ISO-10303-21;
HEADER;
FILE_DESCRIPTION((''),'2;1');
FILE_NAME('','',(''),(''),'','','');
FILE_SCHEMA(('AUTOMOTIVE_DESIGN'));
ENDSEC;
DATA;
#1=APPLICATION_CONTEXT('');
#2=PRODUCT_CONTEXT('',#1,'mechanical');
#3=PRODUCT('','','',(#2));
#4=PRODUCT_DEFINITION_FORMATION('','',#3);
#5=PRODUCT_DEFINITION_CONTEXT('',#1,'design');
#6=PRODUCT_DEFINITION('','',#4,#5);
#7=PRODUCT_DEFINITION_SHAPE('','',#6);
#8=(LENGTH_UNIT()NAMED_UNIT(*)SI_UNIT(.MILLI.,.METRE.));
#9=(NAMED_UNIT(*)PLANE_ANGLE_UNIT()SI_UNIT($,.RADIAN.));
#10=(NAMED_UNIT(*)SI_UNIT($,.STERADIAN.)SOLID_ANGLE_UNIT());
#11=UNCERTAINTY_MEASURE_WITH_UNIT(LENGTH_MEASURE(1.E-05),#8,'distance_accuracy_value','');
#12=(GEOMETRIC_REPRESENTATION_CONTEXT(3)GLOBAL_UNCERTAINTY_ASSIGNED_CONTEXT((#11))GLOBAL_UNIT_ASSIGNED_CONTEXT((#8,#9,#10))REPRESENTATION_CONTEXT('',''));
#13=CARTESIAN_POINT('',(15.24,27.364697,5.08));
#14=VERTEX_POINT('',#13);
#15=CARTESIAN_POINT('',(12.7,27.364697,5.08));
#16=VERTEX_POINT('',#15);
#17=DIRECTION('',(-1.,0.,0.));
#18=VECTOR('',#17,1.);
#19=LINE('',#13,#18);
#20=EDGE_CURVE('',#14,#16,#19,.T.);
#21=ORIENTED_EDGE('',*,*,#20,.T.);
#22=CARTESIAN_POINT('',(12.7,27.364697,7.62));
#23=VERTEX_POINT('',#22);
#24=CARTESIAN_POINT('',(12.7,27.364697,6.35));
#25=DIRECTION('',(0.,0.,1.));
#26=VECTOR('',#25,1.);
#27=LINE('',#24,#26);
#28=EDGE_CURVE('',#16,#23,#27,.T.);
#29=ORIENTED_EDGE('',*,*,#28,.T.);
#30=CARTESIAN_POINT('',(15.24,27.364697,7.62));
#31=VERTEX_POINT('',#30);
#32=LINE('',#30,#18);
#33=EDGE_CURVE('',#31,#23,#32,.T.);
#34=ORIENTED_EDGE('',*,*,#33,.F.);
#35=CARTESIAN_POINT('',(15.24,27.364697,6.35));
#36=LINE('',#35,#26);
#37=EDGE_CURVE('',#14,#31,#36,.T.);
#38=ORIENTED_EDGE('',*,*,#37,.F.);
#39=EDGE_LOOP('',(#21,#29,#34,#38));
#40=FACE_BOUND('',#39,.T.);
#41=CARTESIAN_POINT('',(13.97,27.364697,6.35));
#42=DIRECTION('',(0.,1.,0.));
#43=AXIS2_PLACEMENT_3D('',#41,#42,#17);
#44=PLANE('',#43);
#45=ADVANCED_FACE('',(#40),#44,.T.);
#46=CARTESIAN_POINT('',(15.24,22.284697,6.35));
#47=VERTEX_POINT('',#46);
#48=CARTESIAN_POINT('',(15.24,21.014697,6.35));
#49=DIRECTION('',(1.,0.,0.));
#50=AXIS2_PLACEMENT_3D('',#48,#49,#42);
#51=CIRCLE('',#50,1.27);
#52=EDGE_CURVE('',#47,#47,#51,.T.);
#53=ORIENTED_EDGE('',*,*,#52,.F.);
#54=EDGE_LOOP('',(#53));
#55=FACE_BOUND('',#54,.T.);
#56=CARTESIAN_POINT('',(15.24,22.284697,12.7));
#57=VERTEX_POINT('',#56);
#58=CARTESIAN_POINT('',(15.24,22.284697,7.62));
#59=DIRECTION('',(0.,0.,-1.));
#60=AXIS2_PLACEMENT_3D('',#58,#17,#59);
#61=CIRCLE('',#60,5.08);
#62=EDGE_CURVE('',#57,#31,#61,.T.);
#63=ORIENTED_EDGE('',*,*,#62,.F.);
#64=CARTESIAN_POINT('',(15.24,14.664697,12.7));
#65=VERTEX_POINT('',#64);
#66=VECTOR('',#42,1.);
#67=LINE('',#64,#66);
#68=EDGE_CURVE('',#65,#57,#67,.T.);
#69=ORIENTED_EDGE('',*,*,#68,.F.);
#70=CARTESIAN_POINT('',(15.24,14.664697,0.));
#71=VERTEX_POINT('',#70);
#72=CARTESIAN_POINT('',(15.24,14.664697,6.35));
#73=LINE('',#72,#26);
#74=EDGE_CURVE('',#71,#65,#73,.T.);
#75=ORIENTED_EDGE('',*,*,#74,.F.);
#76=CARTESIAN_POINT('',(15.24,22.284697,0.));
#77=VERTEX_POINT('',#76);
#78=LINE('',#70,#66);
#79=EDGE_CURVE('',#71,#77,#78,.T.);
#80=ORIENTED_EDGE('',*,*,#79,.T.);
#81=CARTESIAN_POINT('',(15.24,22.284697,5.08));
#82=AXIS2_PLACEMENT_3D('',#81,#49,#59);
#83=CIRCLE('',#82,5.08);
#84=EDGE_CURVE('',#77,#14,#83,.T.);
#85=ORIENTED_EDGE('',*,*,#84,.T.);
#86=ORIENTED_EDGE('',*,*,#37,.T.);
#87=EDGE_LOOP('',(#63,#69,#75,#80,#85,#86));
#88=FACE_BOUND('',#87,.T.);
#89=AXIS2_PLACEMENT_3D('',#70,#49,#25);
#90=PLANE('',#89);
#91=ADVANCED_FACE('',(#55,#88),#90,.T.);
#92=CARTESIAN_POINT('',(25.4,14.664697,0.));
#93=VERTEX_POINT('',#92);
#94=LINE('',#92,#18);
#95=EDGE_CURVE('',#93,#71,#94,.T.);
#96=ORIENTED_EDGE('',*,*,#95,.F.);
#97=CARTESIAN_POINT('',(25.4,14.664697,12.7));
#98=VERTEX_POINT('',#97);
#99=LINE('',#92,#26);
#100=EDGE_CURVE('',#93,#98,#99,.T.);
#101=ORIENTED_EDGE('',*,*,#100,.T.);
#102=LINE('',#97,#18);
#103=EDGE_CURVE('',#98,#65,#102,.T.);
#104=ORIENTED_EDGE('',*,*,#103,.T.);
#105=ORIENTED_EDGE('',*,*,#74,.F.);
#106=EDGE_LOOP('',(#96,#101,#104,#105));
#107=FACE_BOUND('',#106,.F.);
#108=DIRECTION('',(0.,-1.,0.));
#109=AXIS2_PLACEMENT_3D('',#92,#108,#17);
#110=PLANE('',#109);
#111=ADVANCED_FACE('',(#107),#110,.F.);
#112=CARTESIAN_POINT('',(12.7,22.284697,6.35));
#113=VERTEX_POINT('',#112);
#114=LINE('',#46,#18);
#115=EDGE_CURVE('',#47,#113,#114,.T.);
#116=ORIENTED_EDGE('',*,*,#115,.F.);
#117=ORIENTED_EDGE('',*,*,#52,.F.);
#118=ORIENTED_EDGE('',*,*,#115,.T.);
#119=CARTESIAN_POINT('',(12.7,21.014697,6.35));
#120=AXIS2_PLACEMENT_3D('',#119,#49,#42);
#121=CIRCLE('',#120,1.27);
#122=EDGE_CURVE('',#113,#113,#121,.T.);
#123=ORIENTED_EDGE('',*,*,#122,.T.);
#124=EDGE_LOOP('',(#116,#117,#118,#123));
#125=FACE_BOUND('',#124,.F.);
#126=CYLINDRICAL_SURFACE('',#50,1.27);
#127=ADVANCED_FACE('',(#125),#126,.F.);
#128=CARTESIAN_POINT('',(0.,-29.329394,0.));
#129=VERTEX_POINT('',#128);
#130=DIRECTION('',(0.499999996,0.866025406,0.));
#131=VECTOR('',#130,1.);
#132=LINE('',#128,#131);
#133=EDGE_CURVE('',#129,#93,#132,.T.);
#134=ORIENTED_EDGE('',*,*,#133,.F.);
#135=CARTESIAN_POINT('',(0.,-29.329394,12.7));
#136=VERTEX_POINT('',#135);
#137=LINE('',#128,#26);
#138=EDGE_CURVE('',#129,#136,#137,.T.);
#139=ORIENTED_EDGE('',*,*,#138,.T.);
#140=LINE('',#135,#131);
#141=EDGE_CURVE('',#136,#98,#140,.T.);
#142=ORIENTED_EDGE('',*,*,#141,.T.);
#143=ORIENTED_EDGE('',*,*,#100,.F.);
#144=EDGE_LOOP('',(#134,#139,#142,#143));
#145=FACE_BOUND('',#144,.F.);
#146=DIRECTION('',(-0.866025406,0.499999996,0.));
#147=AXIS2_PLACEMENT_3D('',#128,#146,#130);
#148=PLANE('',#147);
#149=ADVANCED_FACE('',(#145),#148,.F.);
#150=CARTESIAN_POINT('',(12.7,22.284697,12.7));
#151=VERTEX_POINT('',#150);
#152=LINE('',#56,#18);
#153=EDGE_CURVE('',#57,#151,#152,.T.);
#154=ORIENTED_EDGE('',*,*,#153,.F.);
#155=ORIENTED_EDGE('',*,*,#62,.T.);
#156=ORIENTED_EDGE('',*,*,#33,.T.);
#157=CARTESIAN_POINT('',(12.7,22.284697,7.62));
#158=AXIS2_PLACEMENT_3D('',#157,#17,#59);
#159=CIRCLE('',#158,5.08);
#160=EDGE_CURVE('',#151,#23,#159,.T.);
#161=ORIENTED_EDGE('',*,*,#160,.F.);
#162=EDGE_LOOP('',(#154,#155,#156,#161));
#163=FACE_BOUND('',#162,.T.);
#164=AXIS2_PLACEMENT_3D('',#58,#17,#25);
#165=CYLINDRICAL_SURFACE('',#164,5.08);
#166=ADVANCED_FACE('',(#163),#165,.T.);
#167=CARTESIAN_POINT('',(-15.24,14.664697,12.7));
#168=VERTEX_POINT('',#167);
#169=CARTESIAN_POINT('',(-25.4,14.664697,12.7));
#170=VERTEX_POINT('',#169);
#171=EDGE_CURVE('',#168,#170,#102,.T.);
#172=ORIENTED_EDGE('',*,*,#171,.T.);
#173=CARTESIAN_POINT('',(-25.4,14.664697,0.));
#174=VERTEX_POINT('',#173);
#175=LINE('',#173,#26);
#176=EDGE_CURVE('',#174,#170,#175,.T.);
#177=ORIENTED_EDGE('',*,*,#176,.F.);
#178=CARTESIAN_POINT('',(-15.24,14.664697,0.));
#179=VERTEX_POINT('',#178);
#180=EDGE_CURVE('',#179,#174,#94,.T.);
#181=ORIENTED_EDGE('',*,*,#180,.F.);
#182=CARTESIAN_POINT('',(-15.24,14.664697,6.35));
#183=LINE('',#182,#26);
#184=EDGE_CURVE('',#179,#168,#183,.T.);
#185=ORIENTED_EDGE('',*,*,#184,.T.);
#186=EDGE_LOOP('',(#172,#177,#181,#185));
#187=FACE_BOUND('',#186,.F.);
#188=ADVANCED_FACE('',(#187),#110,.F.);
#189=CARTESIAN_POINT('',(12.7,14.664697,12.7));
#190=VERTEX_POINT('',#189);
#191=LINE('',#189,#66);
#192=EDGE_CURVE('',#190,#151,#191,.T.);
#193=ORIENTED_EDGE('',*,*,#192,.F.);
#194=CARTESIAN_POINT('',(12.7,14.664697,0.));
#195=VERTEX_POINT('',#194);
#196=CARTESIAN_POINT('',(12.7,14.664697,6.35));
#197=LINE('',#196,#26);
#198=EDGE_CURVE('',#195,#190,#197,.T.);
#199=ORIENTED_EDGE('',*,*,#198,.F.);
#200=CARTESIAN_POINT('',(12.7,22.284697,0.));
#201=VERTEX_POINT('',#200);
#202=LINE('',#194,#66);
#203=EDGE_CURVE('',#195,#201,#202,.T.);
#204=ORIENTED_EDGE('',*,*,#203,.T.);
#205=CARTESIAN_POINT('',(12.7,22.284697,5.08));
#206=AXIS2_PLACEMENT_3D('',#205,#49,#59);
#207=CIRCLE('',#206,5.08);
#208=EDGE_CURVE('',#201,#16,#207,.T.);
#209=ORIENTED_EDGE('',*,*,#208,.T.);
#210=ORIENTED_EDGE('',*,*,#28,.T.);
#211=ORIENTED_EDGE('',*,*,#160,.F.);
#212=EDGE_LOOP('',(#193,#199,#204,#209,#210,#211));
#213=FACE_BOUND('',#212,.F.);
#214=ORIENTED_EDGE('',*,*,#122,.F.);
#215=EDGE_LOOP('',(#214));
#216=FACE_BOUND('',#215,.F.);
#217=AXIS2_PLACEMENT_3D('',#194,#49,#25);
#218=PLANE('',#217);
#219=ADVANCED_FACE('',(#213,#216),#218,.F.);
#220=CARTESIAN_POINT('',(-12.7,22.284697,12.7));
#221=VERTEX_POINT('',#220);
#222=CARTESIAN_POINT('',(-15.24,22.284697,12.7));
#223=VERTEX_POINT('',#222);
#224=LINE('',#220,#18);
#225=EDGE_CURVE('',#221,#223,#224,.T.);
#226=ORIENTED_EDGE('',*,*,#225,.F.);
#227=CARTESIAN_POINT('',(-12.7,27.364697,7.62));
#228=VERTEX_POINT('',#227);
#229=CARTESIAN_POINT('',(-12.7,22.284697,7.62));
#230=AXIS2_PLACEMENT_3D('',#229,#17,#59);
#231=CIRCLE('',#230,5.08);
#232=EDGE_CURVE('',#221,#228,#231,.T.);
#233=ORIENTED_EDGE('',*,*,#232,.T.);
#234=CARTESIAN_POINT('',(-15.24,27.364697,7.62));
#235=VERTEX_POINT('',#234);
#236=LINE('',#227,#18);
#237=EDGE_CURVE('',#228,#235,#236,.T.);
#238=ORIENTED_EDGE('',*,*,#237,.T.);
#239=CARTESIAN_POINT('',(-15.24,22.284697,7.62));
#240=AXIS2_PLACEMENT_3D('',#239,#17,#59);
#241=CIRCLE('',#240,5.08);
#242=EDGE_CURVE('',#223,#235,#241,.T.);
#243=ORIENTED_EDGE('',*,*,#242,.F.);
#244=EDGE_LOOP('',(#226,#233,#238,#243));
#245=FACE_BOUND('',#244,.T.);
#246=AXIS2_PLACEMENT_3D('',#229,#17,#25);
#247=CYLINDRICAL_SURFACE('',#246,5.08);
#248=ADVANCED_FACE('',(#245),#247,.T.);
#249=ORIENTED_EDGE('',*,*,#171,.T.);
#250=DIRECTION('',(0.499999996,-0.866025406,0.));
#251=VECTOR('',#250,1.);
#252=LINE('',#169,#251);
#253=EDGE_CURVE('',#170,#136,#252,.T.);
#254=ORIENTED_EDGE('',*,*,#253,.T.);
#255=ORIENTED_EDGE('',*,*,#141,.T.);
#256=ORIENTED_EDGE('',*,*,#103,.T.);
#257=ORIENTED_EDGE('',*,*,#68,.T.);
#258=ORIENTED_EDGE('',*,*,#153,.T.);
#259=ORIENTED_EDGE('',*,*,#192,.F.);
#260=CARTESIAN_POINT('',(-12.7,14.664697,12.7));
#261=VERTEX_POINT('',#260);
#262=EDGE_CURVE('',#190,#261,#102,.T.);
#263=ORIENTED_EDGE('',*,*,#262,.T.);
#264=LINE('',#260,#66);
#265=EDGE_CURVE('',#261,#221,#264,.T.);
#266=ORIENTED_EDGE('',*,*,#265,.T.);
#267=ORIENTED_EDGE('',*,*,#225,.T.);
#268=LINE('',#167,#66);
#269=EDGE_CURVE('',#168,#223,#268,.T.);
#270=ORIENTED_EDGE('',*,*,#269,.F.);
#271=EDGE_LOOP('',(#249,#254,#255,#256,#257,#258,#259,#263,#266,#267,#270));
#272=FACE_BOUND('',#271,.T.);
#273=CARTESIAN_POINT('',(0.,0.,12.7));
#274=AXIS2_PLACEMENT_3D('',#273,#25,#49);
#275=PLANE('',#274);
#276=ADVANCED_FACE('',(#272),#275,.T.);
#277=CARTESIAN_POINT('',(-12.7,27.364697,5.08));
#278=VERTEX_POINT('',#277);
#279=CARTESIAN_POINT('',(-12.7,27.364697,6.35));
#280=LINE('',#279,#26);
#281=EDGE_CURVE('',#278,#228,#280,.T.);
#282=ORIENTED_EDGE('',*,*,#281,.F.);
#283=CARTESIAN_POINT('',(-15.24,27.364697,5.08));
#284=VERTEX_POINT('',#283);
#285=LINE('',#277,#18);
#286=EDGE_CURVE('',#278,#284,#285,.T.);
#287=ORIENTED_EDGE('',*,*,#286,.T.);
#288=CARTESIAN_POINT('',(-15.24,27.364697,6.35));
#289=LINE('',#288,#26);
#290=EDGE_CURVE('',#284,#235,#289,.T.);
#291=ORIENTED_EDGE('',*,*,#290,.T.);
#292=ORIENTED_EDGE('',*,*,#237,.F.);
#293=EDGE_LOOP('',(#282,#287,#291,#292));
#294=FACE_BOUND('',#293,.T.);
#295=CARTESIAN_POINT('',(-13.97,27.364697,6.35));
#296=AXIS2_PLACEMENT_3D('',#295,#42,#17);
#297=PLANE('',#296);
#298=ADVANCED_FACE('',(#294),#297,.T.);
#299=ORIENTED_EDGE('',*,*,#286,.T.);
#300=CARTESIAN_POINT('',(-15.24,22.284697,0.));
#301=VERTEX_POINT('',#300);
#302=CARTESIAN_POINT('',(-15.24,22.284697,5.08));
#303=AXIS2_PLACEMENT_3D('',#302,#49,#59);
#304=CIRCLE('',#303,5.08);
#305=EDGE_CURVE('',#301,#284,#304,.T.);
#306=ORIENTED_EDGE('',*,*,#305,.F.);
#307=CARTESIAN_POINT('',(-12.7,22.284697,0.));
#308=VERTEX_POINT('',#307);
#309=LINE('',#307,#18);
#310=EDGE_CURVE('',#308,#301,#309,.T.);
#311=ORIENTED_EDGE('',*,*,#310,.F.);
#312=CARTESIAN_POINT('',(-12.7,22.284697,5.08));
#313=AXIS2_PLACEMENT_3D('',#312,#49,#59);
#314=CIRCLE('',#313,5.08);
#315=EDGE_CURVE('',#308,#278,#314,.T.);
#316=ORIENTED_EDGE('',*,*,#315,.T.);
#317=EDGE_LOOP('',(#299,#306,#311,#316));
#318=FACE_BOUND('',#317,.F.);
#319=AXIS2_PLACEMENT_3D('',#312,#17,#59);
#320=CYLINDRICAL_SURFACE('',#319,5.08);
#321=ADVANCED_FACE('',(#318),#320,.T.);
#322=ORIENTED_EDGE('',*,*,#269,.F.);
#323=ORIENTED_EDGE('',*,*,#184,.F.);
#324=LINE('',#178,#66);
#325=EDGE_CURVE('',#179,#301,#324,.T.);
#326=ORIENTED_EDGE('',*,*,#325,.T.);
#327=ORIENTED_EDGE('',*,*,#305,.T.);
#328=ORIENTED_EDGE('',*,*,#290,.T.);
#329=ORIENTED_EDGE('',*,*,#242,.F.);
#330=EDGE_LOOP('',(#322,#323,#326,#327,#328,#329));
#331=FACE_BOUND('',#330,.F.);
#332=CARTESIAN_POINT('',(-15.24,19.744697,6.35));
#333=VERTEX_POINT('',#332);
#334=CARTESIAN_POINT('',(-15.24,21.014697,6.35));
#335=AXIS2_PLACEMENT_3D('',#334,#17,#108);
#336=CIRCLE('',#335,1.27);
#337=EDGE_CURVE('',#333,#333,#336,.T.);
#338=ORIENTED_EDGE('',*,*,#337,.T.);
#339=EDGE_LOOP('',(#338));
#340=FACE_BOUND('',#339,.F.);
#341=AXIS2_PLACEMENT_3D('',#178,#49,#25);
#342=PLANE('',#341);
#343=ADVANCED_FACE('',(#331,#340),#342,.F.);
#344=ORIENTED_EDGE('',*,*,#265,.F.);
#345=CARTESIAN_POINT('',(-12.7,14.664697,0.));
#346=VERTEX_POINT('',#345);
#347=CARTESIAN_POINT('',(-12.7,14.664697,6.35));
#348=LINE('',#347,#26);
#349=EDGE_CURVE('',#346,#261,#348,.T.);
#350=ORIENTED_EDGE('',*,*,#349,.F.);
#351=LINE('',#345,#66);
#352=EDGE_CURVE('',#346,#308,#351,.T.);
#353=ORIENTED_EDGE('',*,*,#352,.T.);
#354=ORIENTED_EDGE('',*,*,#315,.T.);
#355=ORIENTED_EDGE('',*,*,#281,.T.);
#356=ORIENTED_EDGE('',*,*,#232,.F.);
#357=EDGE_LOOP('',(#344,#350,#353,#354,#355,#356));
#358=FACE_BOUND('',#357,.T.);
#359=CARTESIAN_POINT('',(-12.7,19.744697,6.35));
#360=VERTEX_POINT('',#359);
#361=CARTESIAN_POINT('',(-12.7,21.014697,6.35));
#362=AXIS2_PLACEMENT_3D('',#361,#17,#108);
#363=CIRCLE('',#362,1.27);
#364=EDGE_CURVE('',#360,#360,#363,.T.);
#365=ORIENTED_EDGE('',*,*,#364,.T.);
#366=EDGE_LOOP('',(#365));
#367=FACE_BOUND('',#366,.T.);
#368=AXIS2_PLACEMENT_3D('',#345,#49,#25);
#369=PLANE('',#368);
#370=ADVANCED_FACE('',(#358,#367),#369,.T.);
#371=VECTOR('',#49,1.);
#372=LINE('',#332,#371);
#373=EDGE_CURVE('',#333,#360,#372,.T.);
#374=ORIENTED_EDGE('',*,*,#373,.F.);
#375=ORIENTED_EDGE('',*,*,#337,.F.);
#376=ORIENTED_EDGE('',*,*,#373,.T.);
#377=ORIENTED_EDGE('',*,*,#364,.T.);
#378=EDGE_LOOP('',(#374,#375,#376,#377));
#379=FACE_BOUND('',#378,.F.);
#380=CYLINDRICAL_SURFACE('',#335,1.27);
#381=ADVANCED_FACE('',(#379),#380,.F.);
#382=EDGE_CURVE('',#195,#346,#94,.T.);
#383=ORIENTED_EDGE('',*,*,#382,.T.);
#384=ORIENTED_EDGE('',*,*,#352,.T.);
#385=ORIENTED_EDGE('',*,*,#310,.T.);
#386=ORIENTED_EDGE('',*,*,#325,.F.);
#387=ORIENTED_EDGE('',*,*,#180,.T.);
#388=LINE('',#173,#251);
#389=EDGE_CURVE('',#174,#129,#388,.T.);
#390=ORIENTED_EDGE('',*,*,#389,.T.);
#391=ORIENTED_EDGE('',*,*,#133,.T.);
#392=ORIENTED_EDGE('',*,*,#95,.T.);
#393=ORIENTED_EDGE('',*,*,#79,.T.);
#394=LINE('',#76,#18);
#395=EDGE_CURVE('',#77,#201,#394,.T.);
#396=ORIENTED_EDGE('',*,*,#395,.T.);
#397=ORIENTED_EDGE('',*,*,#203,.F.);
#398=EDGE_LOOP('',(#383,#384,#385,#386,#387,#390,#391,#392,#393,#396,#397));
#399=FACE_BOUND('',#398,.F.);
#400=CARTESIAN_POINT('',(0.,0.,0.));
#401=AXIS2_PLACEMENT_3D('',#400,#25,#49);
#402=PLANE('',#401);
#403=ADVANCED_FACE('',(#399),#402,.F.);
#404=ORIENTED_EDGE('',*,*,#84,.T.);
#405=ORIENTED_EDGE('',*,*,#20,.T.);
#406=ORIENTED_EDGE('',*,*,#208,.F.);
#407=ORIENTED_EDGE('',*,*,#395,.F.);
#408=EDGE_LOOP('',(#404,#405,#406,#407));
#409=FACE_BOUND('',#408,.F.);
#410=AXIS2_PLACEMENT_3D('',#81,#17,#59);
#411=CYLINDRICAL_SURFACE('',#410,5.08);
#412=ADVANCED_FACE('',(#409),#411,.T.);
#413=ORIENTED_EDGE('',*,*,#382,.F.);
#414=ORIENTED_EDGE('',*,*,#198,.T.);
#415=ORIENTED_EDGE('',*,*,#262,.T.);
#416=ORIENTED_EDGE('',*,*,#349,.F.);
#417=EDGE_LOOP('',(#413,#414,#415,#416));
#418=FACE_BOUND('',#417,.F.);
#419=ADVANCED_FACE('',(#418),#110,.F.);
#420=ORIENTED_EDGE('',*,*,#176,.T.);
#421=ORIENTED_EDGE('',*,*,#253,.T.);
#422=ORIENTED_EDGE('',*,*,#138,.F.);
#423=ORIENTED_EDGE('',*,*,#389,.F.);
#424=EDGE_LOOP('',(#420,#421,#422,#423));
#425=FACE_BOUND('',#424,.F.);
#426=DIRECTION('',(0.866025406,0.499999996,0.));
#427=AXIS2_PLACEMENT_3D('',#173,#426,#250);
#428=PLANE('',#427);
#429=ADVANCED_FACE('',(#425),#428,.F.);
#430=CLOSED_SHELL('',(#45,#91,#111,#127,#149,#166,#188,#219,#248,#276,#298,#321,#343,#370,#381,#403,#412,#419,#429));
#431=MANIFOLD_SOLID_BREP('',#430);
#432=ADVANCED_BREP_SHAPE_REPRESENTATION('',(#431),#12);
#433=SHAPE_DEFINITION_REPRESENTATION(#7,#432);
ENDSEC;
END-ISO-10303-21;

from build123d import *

# Parameters (mm, degrees)
F1_DEPTH = 12.7
F2_W     = 2.54
F2_H     = 12.7
F3_DEPTH = 12.7
F4_R     = 1.27
F5_DEPTH = 25.4
F6_R     = 1.27
F7_DEPTH = 25.4
F8_R     = 5.08


with BuildPart() as f1:
    # F0 (on Top) → F1 (new body)
    with BuildSketch(Plane.XY):
        Polygon((-25.4, 14.664697), (0, -29.329394), (25.4, 14.664697), align=None)
    extrude(amount=F1_DEPTH)

    # F2 (on face) → F3 (join)
    with BuildSketch(Plane(origin=(0, 14.664697, 0), x_dir=(-1, 0, 0), z_dir=(0, 1, 0))):
        with Locations((-13.97, 6.35)):
            Rectangle(F2_W, F2_H)
        with Locations((13.97, 6.35)):
            Rectangle(F2_W, F2_H)
    extrude(amount=F3_DEPTH)

    # F4 (on face) → F5 (cut)
    with BuildSketch(Plane.YZ.offset(15.24)):
        with Locations((21.014697, 6.35)):
            Circle(F4_R)
    extrude(amount=-F5_DEPTH, mode=Mode.SUBTRACT)

    # F6 (on face) → F7 (cut)
    with BuildSketch(Plane(origin=(-15.24, 0, 0), x_dir=(0, -1, 0), z_dir=(-1, 0, 0))):
        with Locations((-21.014697, 6.35)):
            Circle(F6_R)
    extrude(amount=-F7_DEPTH, mode=Mode.SUBTRACT)

    # F8
    f8_edges = [f1.edges().sort_by_distance(p)[0] for p in [
        (13.97, 27.364697, 12.7),
        (13.97, 27.364697, 0),
        (-13.97, 27.364697, 12.7),
        (-13.97, 27.364697, 0),
    ]]
    fillet(f8_edges, radius=F8_R)


solid = f1.part
